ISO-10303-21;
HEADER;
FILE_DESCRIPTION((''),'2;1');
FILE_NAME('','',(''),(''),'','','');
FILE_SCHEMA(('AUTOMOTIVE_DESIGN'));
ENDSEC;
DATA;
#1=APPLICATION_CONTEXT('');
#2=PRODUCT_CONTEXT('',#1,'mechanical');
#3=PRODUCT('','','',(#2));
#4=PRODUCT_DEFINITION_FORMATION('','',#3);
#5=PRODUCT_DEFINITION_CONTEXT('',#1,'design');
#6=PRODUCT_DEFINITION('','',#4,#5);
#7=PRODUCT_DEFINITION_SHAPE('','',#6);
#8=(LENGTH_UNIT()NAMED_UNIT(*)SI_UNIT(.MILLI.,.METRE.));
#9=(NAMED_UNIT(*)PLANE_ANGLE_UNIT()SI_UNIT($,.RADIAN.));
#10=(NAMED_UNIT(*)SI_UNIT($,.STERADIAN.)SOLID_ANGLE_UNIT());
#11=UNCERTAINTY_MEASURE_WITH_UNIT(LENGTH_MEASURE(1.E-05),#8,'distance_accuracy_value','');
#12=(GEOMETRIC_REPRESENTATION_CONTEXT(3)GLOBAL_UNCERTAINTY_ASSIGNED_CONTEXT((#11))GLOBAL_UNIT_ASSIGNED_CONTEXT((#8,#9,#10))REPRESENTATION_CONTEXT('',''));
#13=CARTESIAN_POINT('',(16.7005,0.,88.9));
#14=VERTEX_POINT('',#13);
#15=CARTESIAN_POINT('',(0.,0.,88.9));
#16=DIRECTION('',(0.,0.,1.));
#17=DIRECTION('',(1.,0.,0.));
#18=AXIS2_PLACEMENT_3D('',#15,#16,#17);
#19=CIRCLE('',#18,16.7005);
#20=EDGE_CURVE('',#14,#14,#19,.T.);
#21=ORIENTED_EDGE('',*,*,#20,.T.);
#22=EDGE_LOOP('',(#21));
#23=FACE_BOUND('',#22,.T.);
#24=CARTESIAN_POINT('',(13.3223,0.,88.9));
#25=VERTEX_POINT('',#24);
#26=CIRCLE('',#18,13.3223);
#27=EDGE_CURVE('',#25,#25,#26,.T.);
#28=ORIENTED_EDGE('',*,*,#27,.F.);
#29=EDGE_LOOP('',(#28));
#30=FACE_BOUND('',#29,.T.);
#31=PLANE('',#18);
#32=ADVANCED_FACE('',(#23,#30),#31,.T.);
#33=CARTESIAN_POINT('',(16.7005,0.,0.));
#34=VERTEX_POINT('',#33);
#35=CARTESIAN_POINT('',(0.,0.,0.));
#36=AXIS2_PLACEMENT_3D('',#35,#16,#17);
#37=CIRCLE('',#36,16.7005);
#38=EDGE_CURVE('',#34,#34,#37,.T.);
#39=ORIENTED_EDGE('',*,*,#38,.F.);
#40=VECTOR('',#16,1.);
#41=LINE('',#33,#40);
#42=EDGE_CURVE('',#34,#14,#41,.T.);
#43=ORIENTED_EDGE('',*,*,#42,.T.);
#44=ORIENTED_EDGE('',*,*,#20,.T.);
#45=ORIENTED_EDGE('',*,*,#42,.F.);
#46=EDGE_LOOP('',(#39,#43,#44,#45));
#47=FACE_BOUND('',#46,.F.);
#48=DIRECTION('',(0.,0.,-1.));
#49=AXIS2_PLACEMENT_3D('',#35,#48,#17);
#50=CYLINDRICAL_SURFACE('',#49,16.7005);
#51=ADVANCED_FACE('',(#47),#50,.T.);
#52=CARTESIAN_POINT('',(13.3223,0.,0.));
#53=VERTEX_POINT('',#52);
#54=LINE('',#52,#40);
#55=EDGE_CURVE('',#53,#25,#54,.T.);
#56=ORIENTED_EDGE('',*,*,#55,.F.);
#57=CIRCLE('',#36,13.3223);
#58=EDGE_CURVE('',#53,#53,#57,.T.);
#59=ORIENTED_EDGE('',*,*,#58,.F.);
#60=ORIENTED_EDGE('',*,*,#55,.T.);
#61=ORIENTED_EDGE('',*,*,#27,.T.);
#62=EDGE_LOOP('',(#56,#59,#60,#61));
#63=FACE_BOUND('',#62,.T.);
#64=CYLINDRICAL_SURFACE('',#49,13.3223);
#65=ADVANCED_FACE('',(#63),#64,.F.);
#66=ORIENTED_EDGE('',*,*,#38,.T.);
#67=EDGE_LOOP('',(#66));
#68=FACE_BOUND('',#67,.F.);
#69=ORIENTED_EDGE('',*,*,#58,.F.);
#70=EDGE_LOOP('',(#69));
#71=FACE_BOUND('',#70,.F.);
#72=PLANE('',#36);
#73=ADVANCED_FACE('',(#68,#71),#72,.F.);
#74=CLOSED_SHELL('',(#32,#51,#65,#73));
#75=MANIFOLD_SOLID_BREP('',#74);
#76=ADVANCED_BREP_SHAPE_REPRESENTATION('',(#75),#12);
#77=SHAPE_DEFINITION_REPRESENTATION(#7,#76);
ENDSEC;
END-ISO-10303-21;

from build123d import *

# Parameters (mm, degrees)
SKETCH_R   = 16.7005
SKETCH_R_2 = 13.3223
PAD_DEPTH  = 88.9


with BuildPart() as part:
    # Sketch → Pad (new body)
    with BuildSketch(Plane.XY):
        Circle(SKETCH_R)
        Circle(SKETCH_R_2, mode=Mode.SUBTRACT)
    extrude(amount=PAD_DEPTH)


solid = part.part
